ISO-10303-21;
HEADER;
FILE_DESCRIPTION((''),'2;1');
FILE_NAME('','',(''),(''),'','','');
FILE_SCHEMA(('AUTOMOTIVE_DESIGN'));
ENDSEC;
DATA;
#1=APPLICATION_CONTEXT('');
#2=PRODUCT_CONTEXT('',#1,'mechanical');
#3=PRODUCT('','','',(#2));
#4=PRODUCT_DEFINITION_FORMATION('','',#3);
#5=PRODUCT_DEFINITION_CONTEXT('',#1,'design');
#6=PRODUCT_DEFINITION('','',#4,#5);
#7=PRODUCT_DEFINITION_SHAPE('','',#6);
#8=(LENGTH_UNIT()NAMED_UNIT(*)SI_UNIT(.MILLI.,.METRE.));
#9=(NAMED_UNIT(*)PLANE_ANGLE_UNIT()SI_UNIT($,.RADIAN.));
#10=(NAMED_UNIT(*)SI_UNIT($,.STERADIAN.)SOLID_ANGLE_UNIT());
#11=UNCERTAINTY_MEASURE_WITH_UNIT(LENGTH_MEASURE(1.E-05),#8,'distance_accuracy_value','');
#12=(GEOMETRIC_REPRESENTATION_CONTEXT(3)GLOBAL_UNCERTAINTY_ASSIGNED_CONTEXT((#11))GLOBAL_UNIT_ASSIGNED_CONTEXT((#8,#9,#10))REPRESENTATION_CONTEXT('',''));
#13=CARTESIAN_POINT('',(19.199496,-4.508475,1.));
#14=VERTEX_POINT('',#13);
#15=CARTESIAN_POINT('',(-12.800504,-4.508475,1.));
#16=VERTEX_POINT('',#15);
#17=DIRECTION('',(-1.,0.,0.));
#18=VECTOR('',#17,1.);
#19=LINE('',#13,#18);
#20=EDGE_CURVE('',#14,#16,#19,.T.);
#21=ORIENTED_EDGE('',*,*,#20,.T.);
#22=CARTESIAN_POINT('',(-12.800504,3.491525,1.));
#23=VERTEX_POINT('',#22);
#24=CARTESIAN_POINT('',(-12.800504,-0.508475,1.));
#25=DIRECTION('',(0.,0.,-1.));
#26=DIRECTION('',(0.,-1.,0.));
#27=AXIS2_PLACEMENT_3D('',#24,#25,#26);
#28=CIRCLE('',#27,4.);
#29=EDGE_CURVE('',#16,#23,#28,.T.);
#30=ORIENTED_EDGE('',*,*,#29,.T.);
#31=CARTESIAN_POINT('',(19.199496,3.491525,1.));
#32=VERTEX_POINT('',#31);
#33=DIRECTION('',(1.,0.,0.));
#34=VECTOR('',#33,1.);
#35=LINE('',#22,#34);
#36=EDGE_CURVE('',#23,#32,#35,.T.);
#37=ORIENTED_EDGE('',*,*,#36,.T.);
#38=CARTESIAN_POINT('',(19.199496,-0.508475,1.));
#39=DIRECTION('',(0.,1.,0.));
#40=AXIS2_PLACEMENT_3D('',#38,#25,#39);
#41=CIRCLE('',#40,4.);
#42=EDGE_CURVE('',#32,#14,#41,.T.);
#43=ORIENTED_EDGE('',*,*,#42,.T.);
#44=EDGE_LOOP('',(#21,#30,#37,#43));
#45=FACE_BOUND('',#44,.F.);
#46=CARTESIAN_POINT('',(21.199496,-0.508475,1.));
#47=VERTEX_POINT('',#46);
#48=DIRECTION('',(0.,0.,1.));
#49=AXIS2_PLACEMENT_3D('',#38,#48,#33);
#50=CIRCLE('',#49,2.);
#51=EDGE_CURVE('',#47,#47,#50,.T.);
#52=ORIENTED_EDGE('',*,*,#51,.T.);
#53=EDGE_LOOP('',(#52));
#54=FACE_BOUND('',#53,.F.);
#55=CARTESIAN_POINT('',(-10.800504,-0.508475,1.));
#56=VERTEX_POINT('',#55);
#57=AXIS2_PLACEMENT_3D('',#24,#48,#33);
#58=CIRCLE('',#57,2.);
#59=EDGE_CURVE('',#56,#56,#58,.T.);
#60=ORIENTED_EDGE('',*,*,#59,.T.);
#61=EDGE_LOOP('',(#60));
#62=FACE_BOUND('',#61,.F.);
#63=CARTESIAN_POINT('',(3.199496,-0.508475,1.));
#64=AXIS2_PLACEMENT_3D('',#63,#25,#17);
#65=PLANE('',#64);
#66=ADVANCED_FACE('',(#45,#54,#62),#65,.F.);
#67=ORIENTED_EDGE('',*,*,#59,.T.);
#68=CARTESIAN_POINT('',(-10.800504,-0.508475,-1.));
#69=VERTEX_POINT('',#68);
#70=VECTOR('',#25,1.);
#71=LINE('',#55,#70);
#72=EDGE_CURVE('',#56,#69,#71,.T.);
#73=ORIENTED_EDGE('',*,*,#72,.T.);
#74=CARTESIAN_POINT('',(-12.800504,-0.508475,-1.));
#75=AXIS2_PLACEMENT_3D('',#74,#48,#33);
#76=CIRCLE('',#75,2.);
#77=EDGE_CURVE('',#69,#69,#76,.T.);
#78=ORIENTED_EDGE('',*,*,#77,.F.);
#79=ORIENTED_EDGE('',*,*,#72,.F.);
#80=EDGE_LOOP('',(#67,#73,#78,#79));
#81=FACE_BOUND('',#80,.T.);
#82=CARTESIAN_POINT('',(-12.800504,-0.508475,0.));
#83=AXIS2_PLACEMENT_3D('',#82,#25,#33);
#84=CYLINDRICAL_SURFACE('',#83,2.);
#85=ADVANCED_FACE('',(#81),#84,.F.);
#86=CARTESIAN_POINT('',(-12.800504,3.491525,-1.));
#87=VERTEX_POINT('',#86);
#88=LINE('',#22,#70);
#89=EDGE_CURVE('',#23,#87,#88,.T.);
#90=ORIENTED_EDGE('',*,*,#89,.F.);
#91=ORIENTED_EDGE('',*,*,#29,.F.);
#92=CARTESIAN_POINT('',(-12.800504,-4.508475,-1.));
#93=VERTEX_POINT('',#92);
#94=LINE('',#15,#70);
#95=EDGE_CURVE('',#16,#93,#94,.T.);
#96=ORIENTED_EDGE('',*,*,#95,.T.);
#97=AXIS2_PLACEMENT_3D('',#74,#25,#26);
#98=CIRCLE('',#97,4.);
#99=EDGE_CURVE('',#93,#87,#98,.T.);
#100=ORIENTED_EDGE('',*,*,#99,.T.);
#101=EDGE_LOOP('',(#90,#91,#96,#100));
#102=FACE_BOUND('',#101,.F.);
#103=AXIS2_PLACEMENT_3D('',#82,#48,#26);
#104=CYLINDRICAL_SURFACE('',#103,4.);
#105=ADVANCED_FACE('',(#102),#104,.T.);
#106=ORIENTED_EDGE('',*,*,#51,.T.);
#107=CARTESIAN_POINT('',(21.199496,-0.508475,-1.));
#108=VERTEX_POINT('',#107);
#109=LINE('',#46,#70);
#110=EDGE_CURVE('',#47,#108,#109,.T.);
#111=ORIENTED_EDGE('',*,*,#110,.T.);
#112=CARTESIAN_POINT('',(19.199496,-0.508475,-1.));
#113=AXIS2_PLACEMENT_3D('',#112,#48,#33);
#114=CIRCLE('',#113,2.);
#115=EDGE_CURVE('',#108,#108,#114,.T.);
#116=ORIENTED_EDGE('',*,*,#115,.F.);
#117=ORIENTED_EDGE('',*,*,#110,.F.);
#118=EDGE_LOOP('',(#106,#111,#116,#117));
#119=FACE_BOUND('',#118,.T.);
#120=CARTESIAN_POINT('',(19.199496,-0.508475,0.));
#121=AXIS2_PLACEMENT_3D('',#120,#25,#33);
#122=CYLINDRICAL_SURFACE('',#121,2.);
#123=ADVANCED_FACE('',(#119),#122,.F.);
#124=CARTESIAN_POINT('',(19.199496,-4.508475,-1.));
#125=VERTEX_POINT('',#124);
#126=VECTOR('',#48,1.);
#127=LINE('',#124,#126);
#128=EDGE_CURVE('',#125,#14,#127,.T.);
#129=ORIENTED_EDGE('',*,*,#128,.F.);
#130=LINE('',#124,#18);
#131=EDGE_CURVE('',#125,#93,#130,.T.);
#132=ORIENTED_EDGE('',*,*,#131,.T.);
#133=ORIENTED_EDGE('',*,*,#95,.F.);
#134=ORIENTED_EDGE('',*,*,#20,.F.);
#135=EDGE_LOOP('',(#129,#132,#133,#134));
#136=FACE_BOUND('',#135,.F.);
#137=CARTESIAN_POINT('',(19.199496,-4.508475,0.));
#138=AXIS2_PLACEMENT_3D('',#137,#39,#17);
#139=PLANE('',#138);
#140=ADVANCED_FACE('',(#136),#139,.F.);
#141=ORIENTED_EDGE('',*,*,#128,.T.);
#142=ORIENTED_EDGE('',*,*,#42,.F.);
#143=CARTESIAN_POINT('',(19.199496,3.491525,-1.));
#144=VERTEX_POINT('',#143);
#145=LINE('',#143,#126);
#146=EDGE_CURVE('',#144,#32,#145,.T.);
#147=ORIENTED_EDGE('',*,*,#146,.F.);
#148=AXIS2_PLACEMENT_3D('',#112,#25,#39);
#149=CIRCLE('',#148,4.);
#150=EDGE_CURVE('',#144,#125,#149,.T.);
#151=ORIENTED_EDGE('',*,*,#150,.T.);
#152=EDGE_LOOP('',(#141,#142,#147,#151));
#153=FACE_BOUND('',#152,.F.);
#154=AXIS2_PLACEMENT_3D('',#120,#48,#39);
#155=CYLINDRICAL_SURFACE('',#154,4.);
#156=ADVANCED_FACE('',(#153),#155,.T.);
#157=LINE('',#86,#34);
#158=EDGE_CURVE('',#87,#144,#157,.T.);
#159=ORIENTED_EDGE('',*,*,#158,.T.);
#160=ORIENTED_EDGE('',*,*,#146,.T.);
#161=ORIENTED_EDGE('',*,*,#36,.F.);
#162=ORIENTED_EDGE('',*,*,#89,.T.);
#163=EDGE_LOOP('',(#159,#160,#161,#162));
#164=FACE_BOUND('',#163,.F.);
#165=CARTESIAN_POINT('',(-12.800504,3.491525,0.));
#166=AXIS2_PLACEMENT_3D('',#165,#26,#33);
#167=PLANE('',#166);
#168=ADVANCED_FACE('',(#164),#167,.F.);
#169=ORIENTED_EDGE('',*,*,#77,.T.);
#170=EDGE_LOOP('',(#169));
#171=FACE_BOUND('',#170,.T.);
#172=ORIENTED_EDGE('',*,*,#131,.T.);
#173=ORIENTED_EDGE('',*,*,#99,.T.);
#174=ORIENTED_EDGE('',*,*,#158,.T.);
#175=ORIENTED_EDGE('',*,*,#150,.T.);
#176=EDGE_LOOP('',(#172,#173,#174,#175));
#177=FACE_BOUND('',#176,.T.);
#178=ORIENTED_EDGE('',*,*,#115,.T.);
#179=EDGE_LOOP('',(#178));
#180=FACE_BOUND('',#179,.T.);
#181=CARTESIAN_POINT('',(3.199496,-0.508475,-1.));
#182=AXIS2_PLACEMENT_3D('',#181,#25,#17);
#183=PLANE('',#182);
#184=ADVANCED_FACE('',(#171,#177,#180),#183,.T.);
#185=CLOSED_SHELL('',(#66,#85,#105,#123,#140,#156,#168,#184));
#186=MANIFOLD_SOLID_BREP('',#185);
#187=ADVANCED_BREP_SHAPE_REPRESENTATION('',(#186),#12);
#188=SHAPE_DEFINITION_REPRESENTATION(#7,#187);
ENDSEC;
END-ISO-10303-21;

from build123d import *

# Parameters (mm, degrees)
SKETCH1_R           = 2
BOSS_EXTRUDE1_DEPTH = 1


with BuildPart() as part:
    # Sketch1 → Boss-Extrude1 (new body, symmetric)
    with BuildSketch(Plane.XY):
        with BuildLine():
            Line((19.199496106, -4.508474576), (-12.800503894, -4.508474576))
            ThreePointArc((-12.800503894, -4.508474576), (-16.800503894, -0.508474576), (-12.800503894, 3.491525424))
            Line((-12.800503894, 3.491525424), (19.199496106, 3.491525424))
            ThreePointArc((19.199496106, 3.491525424), (23.199496106, -0.508474576), (19.199496106, -4.508474576))
        make_face()
        with Locations((19.199496106, -0.508474576)):
            Circle(SKETCH1_R, mode=Mode.SUBTRACT)
        with Locations((-12.800503894, -0.508474576)):
            Circle(SKETCH1_R, mode=Mode.SUBTRACT)
    extrude(amount=BOSS_EXTRUDE1_DEPTH, both=True)


solid = part.part
